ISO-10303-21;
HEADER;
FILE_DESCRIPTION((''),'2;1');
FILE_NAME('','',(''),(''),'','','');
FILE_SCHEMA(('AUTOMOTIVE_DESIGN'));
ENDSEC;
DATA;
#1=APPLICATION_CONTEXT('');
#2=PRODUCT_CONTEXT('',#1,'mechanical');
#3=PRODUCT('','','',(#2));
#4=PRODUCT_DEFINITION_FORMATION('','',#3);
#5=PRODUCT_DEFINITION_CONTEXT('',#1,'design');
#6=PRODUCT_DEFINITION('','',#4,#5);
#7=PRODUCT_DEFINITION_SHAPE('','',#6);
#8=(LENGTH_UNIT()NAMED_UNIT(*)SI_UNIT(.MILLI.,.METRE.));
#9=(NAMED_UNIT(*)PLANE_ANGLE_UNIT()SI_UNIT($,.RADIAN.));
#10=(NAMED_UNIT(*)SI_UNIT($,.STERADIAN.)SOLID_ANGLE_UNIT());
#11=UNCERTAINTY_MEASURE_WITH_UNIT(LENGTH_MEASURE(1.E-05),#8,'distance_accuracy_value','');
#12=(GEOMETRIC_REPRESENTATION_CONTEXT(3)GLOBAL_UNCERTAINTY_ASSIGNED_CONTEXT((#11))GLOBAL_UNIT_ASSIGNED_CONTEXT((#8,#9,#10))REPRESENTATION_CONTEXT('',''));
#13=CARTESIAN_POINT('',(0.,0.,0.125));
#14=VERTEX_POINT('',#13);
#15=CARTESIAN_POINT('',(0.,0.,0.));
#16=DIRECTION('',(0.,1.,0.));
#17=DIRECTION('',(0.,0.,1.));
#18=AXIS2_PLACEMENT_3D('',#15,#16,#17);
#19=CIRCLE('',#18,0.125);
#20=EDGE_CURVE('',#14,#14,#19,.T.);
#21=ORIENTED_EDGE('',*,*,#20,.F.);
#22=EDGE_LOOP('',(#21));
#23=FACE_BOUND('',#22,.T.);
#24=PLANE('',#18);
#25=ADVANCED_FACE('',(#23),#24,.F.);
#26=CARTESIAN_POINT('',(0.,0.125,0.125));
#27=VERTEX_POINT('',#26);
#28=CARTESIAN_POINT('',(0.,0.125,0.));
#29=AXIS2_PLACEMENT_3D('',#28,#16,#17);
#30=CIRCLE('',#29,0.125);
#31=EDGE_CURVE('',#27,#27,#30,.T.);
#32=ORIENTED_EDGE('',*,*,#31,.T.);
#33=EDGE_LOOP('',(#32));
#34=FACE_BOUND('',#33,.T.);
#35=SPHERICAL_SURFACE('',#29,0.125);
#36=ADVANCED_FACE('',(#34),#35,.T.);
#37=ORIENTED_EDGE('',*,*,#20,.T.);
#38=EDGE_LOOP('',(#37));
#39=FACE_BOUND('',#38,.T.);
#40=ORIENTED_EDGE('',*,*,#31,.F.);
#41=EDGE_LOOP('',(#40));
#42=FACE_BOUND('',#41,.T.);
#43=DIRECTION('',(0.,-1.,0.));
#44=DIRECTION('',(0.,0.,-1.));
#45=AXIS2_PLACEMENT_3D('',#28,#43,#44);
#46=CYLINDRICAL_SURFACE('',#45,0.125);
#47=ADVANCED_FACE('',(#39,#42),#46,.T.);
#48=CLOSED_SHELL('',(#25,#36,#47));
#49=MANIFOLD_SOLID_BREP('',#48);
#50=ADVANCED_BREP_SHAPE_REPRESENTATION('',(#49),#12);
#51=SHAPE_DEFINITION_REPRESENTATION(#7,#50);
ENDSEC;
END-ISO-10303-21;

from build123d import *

# Parameters (mm, degrees)
SKETCH_1_R         = 0.125
EXTRUDE_1_DEPTH    = 0.125
DOME_1_FACE_RADIUS = 0.125
DOME_1_HEIGHT      = 0.125


with BuildPart() as part:
    # 草图1 → 凸台-拉伸1 (new body)
    with BuildSketch(Plane(origin=(0, 0, 0), x_dir=(1, 0, 0), z_dir=(0, 1, 0))):
        with Locations(Location((0, 0, 0), (0, 0, 270))):
            Circle(SKETCH_1_R)
    extrude(amount=EXTRUDE_1_DEPTH)

    # 圆顶1: a dome of height H over a round flat face of radius A is a cap of a sphere of radius (A * A + H * H) / (2 * H)
    dome_1_r = (DOME_1_FACE_RADIUS * DOME_1_FACE_RADIUS + DOME_1_HEIGHT * DOME_1_HEIGHT) / (2 * DOME_1_HEIGHT)
    dome_1_base = Plane((0, 0.125, 0), z_dir=(0, 1, 0))
    with Locations(dome_1_base.offset(DOME_1_HEIGHT - dome_1_r)):
        dome_1_ball = Sphere(dome_1_r, mode=Mode.PRIVATE)
    add(split(dome_1_ball, bisect_by=dome_1_base, keep=Keep.TOP, mode=Mode.PRIVATE))


solid = part.part
